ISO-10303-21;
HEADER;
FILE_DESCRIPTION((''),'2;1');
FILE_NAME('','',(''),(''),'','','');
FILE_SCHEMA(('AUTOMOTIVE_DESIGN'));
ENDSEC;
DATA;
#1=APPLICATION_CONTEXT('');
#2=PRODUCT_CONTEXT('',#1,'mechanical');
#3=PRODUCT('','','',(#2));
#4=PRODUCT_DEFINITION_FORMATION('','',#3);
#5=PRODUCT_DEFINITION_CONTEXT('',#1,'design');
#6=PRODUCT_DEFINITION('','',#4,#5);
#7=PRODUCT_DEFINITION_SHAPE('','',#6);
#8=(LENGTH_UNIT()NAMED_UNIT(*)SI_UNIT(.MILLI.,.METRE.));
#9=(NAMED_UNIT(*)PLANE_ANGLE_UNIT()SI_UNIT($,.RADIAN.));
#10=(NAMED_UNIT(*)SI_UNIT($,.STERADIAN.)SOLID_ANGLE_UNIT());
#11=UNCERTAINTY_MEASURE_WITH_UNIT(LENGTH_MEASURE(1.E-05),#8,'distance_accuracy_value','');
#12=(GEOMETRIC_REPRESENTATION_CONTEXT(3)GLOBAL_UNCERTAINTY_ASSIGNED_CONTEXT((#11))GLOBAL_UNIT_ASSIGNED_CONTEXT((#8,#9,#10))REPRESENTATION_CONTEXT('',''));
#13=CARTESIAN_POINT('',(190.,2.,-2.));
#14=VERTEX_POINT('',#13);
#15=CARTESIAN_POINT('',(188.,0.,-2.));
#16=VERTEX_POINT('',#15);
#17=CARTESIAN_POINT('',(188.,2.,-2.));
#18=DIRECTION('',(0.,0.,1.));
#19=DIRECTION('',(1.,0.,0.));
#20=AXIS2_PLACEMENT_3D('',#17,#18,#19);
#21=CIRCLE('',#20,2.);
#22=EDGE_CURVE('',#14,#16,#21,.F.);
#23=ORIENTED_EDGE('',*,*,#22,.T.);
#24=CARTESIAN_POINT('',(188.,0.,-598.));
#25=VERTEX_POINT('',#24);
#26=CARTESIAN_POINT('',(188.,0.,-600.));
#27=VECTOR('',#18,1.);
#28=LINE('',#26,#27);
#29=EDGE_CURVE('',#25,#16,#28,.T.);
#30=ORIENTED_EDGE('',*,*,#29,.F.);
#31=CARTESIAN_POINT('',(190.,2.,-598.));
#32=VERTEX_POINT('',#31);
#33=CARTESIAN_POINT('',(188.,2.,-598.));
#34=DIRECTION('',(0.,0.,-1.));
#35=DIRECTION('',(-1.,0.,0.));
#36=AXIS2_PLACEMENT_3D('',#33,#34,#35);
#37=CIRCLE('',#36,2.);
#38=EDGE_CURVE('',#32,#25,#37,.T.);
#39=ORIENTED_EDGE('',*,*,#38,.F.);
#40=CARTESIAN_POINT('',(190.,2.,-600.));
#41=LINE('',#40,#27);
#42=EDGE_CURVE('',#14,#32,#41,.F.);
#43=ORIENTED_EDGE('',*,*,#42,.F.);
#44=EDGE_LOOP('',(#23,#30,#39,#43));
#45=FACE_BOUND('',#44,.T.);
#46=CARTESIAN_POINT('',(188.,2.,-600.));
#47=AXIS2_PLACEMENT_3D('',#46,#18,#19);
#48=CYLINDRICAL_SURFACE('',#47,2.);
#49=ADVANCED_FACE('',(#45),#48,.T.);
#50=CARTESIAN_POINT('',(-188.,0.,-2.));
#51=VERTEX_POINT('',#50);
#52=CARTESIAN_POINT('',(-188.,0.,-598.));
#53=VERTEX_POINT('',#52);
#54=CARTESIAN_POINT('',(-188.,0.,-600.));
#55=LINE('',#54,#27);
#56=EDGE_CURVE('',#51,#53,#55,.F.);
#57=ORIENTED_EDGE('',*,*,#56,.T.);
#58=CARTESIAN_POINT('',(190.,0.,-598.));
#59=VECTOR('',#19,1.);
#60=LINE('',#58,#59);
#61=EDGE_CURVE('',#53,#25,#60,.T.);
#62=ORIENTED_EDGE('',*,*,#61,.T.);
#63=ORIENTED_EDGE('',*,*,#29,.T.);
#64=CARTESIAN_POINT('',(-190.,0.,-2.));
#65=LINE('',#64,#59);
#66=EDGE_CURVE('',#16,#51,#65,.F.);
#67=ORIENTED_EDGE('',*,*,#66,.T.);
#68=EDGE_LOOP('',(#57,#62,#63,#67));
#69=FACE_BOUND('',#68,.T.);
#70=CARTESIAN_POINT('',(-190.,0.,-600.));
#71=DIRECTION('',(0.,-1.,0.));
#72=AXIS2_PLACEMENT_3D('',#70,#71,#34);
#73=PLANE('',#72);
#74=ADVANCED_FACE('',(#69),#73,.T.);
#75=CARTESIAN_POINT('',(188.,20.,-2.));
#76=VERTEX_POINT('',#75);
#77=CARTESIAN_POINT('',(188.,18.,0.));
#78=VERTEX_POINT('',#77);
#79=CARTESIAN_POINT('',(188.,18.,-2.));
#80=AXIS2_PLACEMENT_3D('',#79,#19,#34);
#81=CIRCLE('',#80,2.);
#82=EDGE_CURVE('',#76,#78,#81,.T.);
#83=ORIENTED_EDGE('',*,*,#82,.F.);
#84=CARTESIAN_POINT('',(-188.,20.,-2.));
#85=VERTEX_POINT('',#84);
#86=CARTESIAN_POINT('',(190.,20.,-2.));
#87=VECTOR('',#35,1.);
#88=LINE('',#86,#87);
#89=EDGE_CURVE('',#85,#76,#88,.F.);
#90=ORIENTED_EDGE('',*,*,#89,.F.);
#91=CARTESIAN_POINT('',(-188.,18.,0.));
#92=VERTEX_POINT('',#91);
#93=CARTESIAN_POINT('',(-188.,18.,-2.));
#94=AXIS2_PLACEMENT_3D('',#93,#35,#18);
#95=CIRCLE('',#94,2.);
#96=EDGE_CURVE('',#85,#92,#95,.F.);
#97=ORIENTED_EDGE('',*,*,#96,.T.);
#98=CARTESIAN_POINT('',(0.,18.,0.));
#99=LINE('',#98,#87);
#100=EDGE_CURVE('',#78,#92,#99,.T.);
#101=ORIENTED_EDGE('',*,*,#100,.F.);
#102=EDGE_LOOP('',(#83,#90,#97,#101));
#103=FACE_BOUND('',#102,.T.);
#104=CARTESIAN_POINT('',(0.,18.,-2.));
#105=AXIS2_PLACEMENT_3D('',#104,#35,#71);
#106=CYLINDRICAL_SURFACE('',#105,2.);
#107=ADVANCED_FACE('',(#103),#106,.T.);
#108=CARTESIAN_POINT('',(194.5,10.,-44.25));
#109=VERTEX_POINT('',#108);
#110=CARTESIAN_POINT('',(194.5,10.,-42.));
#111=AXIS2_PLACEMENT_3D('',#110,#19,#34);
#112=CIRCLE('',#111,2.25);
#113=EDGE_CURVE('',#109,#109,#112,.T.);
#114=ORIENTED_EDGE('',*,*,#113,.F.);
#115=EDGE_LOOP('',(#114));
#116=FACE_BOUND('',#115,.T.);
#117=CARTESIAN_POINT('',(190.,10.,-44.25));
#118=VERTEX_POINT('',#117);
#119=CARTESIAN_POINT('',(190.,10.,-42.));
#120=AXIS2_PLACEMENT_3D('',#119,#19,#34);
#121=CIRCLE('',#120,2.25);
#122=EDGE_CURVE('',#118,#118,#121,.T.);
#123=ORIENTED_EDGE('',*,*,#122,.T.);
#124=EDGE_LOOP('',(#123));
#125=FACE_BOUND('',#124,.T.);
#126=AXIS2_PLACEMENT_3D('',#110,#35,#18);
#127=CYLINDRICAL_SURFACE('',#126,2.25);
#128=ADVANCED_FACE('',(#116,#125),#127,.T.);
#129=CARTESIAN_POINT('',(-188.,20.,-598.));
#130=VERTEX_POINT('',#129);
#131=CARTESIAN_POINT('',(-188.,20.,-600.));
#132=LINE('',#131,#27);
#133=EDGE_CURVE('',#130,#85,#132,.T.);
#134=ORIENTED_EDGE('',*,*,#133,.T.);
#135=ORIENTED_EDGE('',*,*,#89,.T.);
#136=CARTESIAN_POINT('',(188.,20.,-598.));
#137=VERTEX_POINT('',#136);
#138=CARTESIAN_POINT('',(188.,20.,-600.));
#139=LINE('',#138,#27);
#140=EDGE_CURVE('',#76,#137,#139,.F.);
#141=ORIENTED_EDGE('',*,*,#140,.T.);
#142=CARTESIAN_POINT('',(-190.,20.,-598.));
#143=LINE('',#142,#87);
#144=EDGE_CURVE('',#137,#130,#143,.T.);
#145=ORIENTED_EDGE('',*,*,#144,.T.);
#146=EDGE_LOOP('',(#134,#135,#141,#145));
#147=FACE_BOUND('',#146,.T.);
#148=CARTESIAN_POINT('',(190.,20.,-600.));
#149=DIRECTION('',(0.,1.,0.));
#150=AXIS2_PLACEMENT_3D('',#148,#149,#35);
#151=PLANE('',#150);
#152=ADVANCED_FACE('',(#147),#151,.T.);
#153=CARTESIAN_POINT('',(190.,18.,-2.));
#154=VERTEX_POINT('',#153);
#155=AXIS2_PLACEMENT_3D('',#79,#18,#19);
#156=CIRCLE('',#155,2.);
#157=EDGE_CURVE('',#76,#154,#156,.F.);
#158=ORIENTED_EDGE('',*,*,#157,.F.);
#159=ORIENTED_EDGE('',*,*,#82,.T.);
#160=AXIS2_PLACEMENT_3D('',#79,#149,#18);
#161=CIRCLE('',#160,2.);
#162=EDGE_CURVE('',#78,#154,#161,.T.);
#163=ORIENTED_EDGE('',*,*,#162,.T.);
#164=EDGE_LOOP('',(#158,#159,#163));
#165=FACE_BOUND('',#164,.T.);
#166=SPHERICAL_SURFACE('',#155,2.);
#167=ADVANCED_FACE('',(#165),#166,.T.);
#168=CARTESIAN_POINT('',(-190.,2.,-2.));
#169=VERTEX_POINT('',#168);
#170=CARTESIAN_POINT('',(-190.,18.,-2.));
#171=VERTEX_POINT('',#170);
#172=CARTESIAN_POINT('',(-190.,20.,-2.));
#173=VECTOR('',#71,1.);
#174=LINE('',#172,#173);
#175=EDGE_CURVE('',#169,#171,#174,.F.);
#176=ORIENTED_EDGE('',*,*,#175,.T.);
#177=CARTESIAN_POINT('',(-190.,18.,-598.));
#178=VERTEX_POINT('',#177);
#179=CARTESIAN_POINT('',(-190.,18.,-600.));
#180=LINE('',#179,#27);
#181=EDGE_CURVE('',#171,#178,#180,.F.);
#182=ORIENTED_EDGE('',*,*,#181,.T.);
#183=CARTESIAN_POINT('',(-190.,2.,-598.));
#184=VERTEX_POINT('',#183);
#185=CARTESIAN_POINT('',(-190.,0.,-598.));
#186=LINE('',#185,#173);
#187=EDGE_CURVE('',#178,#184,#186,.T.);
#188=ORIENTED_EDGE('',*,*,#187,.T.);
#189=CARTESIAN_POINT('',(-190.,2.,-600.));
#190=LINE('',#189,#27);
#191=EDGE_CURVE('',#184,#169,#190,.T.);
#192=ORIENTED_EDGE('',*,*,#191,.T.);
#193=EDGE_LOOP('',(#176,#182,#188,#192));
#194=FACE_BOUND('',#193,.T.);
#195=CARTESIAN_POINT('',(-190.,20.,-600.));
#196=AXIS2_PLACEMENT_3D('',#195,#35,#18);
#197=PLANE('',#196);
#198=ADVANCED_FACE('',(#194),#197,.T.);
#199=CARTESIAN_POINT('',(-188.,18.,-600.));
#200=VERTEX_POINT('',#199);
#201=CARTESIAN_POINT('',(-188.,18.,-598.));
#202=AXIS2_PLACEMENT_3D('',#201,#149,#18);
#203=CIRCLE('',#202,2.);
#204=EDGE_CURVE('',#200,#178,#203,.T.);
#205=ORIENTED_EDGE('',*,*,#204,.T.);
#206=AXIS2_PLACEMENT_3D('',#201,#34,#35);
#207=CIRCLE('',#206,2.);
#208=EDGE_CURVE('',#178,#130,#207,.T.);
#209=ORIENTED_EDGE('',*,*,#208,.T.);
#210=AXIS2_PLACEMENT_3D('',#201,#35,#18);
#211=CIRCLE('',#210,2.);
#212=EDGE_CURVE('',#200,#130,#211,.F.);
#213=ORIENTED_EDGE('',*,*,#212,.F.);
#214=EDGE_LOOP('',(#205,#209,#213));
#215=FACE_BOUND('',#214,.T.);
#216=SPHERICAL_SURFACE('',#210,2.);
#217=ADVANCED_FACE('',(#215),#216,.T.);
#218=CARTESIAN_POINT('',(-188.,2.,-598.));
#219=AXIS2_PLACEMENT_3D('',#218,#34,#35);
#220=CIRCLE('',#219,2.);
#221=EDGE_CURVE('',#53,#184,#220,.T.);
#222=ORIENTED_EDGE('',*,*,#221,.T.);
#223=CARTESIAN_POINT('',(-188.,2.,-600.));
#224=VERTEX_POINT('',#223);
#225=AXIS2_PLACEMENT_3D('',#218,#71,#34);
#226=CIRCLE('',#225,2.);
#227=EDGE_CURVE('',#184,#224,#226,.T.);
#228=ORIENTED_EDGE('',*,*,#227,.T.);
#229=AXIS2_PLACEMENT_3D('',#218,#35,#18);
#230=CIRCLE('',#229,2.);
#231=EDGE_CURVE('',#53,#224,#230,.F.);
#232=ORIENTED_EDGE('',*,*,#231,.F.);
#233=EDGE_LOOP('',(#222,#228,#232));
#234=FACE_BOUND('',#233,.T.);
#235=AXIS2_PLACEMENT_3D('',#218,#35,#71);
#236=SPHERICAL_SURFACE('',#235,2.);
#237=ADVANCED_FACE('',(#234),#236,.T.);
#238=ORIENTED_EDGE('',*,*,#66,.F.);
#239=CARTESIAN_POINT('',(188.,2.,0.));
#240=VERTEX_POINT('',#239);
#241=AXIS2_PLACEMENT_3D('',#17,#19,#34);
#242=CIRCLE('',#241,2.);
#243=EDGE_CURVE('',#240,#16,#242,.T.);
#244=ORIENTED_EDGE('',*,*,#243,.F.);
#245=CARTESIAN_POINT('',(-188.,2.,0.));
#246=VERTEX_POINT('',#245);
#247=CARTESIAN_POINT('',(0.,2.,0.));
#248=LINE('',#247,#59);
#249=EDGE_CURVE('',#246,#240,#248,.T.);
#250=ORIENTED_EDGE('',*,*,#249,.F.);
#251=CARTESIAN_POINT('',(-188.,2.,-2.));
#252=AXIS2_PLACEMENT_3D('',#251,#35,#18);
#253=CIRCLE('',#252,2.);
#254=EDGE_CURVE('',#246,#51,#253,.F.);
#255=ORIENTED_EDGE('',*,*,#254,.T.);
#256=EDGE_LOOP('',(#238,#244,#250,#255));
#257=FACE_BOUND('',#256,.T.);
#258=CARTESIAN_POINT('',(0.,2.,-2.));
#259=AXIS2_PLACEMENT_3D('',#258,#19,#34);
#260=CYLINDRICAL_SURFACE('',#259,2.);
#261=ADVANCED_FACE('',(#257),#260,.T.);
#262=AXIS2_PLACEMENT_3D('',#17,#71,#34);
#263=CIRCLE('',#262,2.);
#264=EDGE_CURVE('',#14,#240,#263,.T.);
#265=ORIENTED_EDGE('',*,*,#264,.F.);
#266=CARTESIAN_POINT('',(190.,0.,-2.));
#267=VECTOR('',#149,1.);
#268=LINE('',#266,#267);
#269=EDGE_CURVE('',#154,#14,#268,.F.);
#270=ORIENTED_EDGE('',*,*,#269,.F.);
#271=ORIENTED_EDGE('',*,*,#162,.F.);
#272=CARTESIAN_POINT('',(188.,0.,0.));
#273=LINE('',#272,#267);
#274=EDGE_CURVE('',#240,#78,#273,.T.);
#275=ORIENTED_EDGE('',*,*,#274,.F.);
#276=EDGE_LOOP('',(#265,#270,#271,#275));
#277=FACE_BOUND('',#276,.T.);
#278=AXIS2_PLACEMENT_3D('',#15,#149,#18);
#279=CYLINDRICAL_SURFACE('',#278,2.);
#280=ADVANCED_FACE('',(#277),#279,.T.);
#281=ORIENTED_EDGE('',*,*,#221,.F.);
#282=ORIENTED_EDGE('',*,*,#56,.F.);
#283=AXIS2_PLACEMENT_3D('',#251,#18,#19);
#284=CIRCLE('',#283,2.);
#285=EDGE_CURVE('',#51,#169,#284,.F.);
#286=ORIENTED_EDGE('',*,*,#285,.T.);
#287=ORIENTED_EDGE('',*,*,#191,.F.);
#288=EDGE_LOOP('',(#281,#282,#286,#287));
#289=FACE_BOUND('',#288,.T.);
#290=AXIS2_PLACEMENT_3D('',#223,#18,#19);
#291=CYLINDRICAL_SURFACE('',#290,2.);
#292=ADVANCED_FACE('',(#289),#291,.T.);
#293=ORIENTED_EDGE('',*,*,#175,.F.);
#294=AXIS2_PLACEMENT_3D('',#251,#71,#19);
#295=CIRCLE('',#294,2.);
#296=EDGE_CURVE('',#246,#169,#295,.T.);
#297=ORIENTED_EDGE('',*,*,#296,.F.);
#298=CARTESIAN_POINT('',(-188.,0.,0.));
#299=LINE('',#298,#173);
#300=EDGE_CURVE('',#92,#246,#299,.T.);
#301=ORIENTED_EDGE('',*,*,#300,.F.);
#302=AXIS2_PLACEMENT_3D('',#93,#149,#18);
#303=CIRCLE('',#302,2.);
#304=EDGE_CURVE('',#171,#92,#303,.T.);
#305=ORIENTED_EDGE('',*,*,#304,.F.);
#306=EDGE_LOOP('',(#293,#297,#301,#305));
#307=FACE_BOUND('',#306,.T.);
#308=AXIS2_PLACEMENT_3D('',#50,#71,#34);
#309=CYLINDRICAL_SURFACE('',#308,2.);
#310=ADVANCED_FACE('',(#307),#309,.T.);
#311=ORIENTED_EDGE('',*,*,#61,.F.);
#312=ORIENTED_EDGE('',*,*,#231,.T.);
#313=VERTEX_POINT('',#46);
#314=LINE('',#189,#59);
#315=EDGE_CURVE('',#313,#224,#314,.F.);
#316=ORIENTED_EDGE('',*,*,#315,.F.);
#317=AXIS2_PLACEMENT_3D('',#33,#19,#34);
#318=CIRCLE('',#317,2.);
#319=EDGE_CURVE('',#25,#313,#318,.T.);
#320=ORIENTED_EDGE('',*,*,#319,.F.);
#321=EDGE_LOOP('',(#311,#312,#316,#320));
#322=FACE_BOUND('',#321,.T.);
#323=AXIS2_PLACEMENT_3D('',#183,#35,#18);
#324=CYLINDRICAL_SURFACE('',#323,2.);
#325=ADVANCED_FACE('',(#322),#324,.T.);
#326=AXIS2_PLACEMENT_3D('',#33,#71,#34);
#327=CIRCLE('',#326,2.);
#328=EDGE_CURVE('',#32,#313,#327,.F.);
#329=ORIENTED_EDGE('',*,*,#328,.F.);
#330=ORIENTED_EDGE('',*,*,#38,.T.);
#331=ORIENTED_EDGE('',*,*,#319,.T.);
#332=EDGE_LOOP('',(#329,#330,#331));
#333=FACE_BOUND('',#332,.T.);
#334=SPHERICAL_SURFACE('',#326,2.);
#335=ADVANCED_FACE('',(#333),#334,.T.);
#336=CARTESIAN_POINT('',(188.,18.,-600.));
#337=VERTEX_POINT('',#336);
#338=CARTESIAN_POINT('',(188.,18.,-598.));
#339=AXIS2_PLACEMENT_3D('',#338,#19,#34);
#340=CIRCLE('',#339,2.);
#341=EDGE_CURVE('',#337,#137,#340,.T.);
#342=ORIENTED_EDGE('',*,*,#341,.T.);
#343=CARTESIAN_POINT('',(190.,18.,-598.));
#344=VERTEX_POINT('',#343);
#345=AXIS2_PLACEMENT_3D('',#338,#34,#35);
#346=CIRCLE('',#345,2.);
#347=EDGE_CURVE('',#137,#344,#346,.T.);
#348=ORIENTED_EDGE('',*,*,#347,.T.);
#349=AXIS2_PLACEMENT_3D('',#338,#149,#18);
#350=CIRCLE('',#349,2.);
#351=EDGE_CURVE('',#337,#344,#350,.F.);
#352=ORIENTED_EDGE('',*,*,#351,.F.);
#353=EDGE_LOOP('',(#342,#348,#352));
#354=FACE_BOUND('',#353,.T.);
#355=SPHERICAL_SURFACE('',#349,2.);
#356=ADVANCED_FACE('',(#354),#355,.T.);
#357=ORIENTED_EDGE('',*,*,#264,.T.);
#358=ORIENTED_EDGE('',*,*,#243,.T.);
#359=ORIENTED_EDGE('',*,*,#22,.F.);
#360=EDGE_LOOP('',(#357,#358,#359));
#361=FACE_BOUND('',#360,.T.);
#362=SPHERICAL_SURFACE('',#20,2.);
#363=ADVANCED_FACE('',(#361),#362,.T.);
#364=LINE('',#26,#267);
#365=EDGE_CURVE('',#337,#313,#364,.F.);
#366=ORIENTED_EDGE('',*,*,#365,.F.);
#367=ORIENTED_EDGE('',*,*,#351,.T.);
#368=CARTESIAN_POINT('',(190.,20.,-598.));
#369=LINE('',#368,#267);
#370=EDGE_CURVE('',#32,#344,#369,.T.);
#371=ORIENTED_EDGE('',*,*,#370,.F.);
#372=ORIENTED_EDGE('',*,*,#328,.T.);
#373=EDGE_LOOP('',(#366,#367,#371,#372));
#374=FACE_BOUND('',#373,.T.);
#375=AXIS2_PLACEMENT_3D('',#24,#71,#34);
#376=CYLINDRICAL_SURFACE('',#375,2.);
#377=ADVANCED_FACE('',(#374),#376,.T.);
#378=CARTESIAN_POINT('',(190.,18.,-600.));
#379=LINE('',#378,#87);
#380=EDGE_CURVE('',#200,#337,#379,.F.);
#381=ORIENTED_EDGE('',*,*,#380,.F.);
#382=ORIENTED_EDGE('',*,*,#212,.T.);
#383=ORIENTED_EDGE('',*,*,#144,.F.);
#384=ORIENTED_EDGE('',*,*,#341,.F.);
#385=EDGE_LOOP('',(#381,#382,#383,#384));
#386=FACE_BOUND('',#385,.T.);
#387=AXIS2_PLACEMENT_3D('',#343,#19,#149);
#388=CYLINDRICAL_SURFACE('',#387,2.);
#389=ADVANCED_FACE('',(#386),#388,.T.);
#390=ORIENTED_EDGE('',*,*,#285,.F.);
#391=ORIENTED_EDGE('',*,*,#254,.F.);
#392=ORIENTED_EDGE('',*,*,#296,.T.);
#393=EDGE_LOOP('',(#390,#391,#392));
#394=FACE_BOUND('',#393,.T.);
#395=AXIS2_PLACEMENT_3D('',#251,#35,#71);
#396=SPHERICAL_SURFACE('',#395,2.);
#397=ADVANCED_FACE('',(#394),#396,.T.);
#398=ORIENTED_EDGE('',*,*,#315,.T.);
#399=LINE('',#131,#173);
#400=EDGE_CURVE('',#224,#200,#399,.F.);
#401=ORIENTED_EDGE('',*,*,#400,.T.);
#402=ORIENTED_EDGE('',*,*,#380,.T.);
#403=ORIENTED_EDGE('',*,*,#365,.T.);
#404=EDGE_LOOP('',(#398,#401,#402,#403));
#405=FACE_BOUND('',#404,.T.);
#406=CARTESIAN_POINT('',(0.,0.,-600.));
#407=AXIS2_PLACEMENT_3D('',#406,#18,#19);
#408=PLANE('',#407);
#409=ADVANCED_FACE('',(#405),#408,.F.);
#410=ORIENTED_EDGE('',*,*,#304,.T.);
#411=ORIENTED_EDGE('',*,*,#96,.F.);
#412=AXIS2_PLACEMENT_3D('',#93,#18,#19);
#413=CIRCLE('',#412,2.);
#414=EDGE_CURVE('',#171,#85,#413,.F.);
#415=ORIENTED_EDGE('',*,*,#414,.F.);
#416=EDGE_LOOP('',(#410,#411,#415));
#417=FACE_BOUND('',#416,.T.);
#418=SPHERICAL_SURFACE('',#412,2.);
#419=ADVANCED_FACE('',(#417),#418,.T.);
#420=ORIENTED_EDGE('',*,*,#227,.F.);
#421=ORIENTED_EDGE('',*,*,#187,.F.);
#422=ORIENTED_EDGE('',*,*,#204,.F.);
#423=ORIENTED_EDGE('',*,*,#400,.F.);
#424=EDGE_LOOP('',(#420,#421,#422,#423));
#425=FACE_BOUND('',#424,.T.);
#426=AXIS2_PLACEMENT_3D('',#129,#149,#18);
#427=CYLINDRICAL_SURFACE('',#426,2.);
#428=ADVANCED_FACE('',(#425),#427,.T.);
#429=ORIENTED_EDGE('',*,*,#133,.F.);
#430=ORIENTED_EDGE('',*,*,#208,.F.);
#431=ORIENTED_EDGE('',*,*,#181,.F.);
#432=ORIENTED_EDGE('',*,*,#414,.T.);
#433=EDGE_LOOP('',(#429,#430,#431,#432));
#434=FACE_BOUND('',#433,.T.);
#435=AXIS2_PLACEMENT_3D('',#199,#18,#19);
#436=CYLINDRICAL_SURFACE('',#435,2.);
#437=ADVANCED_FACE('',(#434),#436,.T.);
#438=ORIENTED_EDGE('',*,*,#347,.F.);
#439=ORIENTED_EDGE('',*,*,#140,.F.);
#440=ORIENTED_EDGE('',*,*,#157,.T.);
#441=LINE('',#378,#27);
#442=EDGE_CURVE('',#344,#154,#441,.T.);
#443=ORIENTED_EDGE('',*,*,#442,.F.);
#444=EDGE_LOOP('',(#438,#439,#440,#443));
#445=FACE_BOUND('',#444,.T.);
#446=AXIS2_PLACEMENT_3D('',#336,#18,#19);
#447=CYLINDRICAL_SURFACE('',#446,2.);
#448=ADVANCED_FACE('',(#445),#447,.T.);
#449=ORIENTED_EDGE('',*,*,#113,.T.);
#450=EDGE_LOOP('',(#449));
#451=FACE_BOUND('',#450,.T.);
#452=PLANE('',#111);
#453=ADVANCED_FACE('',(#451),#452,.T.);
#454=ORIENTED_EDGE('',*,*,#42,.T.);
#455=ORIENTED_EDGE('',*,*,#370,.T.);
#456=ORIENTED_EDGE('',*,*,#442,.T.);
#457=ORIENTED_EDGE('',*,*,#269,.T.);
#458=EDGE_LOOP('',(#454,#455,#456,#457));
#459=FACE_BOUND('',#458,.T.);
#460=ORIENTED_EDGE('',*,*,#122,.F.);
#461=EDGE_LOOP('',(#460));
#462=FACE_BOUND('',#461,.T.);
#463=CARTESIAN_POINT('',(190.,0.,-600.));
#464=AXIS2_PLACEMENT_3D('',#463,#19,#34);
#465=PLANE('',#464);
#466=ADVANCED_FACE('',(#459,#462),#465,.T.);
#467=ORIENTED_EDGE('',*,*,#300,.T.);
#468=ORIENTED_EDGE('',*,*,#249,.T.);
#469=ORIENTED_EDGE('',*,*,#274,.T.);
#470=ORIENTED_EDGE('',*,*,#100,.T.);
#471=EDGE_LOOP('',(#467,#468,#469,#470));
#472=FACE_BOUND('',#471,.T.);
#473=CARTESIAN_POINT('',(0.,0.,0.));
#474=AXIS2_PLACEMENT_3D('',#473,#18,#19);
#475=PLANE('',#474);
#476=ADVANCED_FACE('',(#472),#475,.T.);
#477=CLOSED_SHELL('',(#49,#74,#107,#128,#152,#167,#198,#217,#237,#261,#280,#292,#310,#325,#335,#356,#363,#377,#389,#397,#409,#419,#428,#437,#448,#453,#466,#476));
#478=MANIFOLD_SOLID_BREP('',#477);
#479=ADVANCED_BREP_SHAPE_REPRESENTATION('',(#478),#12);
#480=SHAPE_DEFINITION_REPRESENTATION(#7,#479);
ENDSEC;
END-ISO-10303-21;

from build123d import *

# Parameters (mm, degrees)
SKETCH1_W           = 380
SKETCH1_H           = 20
BOSS_EXTRUDE1_DEPTH = 600
FILLET1_R           = 2
SKETCH3_R           = 2.25
BOSS_EXTRUDE3_DEPTH = 4.5


with BuildPart() as part:
    # Sketch1 → Boss-Extrude1 (new body)
    with BuildSketch(Plane.XY):
        with Locations((0, 10)):
            Rectangle(SKETCH1_W, SKETCH1_H)
    extrude(amount=-BOSS_EXTRUDE1_DEPTH)

    # Fillet1
    fillet1_edges = [part.edges().sort_by_distance(p)[0] for p in [
        (190, 10, -600),
        (0, 20, -600),
        (-190, 10, -600),
        (0, 20, 0),
        (190, 10, 0),
        (0, 0, 0),
        (-190, 10, 0),
        (-190, 20, -300),
        (190, 20, -300),
        (190, 0, -300),
        (-190, 0, -300),
        (0, 0, -600),
    ]]
    fillet(fillet1_edges, radius=FILLET1_R)

    # Sketch3 → Boss-Extrude3 (add)
    with BuildSketch(Plane(origin=(190, 0, 0), x_dir=(0, 0, -1), z_dir=(1, 0, 0))):
        with Locations((42, 10)):
            Circle(SKETCH3_R)
    extrude(amount=BOSS_EXTRUDE3_DEPTH)


solid = part.part
